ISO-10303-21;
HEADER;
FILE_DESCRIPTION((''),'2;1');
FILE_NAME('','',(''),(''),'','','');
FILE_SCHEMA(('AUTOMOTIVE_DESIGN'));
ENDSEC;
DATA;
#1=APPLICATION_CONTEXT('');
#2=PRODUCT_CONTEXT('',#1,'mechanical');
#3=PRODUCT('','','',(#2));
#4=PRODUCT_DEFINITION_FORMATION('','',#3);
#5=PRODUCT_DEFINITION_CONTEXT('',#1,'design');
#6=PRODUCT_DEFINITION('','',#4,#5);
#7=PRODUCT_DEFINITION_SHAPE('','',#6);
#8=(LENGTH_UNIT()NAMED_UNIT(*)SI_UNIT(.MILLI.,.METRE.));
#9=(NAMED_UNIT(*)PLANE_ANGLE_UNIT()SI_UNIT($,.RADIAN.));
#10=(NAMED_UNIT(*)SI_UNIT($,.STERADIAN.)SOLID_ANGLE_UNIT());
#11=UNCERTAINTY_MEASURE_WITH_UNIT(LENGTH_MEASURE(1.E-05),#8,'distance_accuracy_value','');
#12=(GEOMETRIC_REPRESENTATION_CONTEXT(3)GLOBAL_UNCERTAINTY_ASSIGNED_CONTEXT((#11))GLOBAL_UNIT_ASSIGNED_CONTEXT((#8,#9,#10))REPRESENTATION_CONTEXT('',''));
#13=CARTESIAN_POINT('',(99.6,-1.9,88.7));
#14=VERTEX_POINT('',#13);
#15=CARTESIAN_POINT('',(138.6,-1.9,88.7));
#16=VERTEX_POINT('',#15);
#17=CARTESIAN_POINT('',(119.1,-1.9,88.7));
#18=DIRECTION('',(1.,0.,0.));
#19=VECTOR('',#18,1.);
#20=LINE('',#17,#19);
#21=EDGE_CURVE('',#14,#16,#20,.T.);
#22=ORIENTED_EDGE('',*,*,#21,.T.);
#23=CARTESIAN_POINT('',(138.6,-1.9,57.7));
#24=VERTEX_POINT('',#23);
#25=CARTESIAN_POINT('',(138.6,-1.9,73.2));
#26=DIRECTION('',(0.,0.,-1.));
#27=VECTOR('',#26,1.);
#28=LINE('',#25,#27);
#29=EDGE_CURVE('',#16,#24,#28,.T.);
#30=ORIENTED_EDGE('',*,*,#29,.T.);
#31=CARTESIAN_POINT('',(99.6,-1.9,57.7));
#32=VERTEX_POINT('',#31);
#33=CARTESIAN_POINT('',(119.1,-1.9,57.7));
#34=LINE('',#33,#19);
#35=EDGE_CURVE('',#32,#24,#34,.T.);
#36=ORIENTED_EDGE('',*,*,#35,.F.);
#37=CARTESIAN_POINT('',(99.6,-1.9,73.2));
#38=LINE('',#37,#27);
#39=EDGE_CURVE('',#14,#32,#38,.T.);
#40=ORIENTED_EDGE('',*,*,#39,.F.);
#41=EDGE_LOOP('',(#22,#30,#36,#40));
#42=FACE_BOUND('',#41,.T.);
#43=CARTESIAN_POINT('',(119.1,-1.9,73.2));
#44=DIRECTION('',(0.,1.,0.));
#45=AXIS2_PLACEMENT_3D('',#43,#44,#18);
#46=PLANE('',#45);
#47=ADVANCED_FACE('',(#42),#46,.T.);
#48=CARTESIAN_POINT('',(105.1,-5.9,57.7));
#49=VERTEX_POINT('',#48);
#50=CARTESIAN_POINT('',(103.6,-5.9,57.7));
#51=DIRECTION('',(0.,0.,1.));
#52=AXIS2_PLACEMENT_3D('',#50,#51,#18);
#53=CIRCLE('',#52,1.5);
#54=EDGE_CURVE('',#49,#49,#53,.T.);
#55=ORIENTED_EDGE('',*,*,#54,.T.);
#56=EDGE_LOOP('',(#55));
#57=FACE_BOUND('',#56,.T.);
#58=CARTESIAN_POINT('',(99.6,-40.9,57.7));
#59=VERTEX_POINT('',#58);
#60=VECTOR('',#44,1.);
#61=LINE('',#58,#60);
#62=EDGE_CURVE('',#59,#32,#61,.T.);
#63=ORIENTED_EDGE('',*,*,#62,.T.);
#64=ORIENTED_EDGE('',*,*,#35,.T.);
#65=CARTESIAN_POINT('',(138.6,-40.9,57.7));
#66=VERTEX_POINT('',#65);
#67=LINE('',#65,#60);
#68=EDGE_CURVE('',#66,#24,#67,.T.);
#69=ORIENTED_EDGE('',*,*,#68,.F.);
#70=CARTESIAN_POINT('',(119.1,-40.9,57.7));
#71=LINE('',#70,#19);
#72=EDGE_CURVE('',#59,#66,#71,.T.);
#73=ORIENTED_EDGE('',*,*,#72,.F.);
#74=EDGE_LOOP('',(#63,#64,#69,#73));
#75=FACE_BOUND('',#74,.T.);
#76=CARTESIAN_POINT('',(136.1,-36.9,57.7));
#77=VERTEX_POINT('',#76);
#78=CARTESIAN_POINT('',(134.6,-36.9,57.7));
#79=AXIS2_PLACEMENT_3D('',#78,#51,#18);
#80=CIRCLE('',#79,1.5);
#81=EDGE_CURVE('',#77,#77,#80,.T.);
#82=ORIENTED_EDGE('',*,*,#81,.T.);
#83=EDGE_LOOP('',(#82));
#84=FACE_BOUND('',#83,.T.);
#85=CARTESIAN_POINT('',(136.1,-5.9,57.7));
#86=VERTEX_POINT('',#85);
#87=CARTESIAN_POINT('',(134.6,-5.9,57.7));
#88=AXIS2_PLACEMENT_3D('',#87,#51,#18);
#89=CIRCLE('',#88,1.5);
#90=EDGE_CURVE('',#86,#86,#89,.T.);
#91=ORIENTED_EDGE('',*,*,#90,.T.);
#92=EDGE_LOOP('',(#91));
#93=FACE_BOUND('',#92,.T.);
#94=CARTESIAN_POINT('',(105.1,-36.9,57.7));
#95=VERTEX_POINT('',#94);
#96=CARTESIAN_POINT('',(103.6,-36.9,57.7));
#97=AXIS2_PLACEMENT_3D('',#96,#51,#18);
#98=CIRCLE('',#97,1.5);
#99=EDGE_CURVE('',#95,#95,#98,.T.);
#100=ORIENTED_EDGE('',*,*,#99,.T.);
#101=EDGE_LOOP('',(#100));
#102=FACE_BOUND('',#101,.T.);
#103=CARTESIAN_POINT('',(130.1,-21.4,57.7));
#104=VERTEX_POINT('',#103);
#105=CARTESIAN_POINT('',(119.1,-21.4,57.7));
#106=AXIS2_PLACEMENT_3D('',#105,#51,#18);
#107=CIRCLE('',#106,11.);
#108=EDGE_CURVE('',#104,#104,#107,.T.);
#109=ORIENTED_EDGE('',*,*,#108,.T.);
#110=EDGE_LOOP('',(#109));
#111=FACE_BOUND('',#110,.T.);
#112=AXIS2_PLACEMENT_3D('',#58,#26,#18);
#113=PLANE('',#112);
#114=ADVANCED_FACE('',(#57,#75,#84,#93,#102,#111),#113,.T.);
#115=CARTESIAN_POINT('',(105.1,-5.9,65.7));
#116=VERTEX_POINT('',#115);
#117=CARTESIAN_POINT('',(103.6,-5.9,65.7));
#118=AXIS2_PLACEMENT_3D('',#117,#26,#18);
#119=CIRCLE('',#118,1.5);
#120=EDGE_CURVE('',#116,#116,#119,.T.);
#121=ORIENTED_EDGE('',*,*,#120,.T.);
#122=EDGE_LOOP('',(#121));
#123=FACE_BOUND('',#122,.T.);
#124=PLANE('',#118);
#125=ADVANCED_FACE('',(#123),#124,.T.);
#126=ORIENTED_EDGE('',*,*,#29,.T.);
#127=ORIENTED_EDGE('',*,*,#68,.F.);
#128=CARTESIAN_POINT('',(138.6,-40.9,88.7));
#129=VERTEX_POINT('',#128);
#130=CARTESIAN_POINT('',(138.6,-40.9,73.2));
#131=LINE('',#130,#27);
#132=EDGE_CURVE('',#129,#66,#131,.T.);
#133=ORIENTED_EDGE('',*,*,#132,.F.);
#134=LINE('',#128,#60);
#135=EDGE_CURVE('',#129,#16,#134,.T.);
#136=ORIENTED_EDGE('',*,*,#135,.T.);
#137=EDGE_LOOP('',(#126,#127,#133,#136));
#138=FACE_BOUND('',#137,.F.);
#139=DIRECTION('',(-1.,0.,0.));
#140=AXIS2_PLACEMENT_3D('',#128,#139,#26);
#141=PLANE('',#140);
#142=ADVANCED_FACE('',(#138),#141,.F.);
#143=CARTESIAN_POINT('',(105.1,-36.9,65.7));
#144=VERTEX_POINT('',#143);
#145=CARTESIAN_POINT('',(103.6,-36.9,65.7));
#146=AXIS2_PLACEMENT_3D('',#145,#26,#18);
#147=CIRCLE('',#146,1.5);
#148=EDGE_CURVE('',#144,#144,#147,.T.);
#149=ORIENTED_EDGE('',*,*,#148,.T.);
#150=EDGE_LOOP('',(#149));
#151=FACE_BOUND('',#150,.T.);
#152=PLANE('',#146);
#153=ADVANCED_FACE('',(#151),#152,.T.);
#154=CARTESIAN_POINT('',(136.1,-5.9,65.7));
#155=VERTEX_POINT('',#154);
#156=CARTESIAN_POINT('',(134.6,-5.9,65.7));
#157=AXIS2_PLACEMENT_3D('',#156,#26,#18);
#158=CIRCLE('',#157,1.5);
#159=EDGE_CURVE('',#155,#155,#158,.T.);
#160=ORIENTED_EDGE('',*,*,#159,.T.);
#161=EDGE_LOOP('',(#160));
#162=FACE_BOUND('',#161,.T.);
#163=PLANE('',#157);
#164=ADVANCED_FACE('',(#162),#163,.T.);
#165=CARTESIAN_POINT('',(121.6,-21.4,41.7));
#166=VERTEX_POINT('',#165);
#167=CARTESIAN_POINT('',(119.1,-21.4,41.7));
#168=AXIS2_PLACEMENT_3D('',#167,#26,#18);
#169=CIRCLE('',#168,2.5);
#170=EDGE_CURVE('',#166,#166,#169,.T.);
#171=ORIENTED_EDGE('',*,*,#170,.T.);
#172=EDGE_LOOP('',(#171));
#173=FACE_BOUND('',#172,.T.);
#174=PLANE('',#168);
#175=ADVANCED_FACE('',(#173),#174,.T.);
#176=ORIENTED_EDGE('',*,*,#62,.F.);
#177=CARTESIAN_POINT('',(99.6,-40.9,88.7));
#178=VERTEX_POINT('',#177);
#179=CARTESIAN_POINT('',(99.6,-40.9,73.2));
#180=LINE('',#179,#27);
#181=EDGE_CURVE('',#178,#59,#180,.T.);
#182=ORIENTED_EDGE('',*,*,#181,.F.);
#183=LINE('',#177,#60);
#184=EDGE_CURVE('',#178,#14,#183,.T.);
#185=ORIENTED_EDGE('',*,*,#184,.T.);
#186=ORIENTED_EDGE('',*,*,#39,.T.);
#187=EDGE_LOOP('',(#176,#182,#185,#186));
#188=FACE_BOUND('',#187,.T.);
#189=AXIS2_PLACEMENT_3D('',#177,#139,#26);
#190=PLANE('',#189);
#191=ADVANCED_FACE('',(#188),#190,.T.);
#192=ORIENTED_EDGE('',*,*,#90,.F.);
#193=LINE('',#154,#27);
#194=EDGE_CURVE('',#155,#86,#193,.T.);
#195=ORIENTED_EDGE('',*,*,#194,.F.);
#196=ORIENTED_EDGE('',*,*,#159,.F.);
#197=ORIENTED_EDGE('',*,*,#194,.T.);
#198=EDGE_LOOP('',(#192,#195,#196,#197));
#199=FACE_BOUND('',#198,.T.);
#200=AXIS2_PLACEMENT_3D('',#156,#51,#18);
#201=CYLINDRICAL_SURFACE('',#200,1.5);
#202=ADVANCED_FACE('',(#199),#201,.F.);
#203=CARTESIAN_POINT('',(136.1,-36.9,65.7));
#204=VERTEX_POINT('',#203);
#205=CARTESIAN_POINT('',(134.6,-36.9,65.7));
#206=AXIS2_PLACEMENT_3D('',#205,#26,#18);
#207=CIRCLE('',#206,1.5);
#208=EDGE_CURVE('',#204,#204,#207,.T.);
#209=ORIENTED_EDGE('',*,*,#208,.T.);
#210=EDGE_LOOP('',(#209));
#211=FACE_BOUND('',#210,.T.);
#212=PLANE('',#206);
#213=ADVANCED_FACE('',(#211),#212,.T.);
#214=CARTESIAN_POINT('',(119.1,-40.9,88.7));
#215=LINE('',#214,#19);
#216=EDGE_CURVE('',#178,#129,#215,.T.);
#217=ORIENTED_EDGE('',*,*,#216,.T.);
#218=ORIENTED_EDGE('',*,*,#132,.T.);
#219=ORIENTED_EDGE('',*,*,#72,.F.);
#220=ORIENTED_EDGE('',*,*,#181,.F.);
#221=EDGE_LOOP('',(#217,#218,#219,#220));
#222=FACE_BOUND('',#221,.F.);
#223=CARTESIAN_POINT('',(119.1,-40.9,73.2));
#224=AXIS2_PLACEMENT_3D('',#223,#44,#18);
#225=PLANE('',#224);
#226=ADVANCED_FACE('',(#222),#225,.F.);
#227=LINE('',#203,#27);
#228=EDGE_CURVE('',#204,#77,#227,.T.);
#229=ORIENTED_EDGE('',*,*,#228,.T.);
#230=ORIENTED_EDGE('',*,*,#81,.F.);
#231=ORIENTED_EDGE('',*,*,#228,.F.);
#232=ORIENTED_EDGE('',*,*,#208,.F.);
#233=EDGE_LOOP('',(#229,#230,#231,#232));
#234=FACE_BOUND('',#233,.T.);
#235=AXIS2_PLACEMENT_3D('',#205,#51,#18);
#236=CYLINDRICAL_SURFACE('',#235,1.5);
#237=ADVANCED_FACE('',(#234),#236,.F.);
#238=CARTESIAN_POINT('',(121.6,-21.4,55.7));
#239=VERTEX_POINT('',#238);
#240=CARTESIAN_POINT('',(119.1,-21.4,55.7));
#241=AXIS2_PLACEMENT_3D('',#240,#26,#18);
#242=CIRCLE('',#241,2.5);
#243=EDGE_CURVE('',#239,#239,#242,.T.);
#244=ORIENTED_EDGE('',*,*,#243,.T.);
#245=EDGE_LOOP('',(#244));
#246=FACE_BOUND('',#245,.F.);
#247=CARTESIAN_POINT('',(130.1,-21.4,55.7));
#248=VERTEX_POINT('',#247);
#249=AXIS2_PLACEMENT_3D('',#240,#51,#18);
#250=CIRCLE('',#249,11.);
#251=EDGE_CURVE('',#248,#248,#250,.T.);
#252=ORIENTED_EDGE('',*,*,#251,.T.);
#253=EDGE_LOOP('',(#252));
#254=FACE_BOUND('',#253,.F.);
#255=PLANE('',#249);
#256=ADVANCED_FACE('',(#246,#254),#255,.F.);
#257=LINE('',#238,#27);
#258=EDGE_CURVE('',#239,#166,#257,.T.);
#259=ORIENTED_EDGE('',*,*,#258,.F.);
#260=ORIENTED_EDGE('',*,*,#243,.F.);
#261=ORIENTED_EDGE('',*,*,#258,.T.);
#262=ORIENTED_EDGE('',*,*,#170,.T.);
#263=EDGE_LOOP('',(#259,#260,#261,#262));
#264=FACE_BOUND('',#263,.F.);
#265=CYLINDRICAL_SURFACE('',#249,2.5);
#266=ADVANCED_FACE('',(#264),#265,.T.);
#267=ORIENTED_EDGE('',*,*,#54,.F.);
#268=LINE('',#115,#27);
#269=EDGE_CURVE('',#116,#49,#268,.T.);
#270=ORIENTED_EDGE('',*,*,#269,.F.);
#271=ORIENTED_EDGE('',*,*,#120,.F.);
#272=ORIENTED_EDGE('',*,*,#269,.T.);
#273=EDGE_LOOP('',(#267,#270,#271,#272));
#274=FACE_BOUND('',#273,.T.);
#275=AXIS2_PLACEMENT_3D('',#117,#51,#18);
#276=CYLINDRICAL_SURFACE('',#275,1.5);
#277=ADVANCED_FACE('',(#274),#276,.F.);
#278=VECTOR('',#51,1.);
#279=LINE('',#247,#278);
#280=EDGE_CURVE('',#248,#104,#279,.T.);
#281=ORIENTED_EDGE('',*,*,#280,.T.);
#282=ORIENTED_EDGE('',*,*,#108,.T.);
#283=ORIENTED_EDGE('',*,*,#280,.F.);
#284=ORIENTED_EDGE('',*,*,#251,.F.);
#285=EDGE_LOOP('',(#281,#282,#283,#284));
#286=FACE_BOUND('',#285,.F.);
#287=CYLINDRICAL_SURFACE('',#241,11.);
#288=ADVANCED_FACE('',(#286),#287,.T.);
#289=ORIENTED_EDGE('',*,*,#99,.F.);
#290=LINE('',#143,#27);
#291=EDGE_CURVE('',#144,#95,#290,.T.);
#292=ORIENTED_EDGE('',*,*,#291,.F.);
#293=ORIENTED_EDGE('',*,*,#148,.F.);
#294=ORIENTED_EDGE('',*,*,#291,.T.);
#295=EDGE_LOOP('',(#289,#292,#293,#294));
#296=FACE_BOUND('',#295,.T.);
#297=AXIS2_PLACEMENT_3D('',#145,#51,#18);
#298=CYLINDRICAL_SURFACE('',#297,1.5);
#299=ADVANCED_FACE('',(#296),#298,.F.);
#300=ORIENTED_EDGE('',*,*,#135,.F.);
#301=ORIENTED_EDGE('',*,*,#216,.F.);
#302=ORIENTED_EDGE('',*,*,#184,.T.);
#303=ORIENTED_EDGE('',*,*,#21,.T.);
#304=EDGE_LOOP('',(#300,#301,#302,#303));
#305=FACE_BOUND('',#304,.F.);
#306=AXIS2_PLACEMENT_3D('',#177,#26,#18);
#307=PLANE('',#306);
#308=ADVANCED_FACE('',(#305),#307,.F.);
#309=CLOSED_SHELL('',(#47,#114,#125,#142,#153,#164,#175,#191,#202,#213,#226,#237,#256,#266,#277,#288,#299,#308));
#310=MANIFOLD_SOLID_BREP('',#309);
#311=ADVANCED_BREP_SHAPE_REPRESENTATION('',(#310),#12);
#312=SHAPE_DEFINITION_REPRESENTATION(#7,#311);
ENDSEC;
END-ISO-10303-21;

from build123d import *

# Parameters (mm, degrees)
CYLINDER013_R             = 11
CYLINDER013_DEPTH         = 2
CYLINDER014_R             = 2.5
CYLINDER014_DEPTH         = 14
CYLINDER010_R             = 1.5
CYLINDER010_DEPTH         = 10
CYLINDER011_R             = 1.5
CYLINDER011_DEPTH         = 10
CYLINDER012_R             = 1.5
CYLINDER012_DEPTH         = 10
CYLINDER009_R             = 1.5
CYLINDER009_DEPTH         = 10
BOX001_W                  = 39
BOX001_H                  = 31
BOX001_DEPTH              = 39
FUSION001_PLACEMENT_ANGLE = 90


with BuildPart() as cylinder013:
    # Cylinder013 → Cylinder013 (new body)
    with BuildSketch(Plane(origin=(19.5, 33, 19.5), x_dir=(1, 0, 0), z_dir=(0, -1, 0))):
        Circle(CYLINDER013_R)
    extrude(amount=CYLINDER013_DEPTH)


with BuildPart() as cylinder014:
    # Cylinder014 → Cylinder014 (new body)
    with BuildSketch(Plane(origin=(19.5, 33, 19.5), x_dir=(1, 0, 0), z_dir=(0, 1, 0))):
        Circle(CYLINDER014_R)
    extrude(amount=CYLINDER014_DEPTH)


with BuildPart() as cylinder010:
    # Cylinder010 → Cylinder010 (new body)
    with BuildSketch(Plane(origin=(35, 23, 35), x_dir=(1, 0, 0), z_dir=(0, 1, 0))):
        Circle(CYLINDER010_R)
    extrude(amount=CYLINDER010_DEPTH)


with BuildPart() as cylinder011:
    # Cylinder011 → Cylinder011 (new body)
    with BuildSketch(Plane(origin=(35, 23, 4), x_dir=(1, 0, 0), z_dir=(0, 1, 0))):
        Circle(CYLINDER011_R)
    extrude(amount=CYLINDER011_DEPTH)


with BuildPart() as cylinder012:
    # Cylinder012 → Cylinder012 (new body)
    with BuildSketch(Plane(origin=(4, 23, 4), x_dir=(1, 0, 0), z_dir=(0, 1, 0))):
        Circle(CYLINDER012_R)
    extrude(amount=CYLINDER012_DEPTH)


with BuildPart() as cylinder009:
    # Cylinder009 → Cylinder009 (new body)
    with BuildSketch(Plane(origin=(4, 23, 35), x_dir=(1, 0, 0), z_dir=(0, 1, 0))):
        Circle(CYLINDER009_R)
    extrude(amount=CYLINDER009_DEPTH)


with BuildPart() as fusion001:
    # Box001 → Box001 (new body)
    with BuildSketch(Plane.XY):
        with Locations((19.5, 15.5)):
            Rectangle(BOX001_W, BOX001_H)
    extrude(amount=BOX001_DEPTH)

    # Cut005: cut Cylinder009
    add(cylinder009.part, mode=Mode.SUBTRACT)

    # Cut006: cut Cylinder012
    add(cylinder012.part, mode=Mode.SUBTRACT)

    # Cut007: cut Cylinder011
    add(cylinder011.part, mode=Mode.SUBTRACT)

    # Cut008: cut Cylinder010
    add(cylinder010.part, mode=Mode.SUBTRACT)

    # Fusion001: union Cylinder013, Cylinder014
    add(cylinder013.part)
    add(cylinder014.part)


with BuildPart() as fusion001_1:
    # Fusion001 placement: moved
    add(fusion001.part.moved(Location((99.6, -40.9, 88.7))).rotate(Axis((99.6, -40.9, 88.7), (-1, 0, 0)), FUSION001_PLACEMENT_ANGLE))


solid = fusion001_1.part
